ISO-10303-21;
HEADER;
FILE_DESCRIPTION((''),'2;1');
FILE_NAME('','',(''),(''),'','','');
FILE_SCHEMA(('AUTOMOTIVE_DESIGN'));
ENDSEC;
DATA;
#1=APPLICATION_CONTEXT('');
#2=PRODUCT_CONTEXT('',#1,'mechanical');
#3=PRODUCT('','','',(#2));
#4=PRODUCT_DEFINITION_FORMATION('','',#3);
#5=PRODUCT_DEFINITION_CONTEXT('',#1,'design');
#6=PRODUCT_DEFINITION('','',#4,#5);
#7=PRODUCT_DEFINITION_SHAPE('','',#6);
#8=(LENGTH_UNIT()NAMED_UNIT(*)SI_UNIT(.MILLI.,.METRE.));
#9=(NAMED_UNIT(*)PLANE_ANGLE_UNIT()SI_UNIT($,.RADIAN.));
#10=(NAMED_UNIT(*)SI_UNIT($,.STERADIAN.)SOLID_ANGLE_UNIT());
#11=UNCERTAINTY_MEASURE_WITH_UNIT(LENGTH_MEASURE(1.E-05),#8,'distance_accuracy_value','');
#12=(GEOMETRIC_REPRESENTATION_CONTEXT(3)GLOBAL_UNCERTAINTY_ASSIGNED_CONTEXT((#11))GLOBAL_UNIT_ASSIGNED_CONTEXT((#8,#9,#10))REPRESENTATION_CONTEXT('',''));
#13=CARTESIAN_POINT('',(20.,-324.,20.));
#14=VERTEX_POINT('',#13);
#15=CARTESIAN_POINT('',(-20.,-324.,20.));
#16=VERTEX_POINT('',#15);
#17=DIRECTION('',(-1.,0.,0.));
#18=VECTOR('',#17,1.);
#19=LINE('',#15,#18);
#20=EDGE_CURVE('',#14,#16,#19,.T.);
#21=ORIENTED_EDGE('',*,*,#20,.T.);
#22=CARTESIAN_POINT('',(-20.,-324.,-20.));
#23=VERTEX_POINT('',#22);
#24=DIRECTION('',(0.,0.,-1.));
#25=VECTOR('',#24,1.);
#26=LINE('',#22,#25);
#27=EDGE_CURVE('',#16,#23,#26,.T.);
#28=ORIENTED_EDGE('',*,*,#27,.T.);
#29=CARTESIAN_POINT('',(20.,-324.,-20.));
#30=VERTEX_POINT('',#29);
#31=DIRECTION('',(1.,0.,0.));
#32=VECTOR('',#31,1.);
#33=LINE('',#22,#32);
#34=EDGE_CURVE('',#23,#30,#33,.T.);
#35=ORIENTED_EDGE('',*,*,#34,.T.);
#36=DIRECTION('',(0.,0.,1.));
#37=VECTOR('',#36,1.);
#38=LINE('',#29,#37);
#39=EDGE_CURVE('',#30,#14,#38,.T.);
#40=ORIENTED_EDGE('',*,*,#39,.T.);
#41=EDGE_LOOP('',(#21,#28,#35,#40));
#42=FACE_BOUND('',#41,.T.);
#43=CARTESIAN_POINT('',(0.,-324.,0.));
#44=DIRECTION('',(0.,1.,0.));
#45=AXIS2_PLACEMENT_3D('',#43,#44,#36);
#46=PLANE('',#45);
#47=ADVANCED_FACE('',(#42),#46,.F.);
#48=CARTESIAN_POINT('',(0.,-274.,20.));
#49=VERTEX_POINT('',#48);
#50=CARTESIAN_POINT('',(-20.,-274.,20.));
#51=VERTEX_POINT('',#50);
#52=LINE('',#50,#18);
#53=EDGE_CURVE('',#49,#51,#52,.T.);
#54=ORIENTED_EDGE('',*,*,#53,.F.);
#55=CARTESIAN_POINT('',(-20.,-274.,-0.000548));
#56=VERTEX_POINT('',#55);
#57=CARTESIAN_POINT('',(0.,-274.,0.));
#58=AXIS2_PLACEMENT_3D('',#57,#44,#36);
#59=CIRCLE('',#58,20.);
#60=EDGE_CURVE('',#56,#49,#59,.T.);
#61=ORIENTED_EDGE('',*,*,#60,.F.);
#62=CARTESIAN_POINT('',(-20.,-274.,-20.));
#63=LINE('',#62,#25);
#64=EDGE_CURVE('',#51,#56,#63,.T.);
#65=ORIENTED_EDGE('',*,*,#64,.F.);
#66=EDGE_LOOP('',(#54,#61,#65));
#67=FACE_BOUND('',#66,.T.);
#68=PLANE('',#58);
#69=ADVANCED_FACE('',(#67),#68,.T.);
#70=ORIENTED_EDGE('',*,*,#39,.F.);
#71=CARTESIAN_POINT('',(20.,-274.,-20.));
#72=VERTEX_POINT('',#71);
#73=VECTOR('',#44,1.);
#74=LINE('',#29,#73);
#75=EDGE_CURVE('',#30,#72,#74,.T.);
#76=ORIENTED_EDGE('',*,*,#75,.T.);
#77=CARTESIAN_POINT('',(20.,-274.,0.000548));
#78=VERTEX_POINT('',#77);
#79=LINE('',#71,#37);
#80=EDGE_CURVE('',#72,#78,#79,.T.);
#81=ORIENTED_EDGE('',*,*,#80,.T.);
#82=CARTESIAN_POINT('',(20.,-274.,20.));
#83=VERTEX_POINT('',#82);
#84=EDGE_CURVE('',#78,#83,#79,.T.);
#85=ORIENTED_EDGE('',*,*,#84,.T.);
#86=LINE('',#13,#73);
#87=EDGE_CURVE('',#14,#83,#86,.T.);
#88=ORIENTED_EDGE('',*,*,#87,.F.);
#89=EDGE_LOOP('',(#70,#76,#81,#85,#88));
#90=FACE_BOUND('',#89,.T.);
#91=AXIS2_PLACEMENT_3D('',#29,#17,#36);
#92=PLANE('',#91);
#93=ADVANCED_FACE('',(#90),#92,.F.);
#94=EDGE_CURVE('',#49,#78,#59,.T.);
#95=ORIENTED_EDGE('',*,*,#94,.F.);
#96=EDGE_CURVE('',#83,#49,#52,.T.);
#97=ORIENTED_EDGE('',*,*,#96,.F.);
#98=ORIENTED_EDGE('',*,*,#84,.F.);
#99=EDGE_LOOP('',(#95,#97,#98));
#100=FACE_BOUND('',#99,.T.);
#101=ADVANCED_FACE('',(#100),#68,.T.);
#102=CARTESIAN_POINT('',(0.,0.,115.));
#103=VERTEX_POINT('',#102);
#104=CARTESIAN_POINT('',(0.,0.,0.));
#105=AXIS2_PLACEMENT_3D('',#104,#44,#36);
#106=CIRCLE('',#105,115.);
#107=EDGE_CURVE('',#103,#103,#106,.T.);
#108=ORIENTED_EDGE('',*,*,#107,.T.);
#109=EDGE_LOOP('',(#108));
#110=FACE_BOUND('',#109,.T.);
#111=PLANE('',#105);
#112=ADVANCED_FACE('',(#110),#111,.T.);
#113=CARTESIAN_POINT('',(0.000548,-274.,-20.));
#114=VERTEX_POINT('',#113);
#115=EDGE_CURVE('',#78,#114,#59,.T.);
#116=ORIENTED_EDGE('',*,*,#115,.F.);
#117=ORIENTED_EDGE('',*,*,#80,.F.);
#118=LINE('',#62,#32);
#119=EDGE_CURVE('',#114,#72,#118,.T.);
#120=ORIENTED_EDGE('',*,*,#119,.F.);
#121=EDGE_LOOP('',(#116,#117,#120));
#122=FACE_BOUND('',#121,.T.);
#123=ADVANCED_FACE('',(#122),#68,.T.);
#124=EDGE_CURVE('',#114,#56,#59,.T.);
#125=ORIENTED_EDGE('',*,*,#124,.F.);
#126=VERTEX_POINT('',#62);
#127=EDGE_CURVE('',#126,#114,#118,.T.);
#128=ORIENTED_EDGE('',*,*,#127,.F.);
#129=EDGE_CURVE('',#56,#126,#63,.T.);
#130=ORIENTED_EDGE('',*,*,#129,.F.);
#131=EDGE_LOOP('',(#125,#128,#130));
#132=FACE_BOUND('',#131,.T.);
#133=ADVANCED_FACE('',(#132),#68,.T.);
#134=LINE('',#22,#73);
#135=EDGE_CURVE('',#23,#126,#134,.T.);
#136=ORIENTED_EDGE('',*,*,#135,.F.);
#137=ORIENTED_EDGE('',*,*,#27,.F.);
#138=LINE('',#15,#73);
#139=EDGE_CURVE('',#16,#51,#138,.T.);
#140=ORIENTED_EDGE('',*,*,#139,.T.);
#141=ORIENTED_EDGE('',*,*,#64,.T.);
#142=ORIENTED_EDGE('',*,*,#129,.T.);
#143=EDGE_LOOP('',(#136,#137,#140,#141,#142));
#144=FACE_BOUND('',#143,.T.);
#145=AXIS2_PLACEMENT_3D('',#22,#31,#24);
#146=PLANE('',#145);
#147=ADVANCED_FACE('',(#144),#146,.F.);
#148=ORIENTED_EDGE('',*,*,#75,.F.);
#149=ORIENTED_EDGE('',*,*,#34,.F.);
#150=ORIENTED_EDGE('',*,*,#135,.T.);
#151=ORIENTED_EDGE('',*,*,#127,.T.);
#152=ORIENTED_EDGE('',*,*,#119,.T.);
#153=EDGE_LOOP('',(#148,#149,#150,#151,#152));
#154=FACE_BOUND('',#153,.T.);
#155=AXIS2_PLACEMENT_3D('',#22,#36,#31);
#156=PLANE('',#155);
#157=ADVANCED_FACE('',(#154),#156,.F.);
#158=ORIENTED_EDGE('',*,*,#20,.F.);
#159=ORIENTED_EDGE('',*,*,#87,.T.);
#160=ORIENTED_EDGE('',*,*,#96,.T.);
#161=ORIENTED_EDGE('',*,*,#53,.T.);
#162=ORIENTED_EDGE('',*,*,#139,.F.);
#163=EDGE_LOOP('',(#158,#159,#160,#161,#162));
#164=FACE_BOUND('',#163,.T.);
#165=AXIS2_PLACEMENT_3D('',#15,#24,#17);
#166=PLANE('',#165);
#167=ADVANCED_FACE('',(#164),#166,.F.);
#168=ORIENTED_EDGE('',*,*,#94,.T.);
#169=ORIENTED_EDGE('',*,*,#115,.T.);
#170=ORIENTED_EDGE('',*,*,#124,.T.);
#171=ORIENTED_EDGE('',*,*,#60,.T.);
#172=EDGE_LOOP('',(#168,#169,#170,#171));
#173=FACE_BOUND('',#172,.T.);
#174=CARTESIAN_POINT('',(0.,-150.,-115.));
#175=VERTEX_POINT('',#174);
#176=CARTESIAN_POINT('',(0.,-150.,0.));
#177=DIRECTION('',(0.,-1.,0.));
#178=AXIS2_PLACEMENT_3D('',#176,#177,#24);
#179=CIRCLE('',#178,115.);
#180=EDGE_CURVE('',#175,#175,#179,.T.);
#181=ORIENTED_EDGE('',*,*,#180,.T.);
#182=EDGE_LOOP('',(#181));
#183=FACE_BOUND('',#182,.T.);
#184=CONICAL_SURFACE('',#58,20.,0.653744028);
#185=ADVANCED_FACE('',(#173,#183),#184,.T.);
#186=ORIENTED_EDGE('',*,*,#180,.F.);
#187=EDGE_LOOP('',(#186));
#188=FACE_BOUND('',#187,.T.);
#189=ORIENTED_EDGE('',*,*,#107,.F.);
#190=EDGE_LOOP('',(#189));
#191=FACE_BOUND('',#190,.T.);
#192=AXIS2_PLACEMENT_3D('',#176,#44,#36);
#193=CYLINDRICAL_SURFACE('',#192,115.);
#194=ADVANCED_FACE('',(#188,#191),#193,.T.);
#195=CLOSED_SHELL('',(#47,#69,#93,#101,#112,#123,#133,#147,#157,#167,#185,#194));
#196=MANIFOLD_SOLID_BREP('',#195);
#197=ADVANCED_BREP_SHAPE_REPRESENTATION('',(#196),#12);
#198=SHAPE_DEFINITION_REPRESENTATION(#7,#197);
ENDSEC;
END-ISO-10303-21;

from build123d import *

# Parameters (mm, degrees)
CROQUIS1_R              = 115
SALIENTE_EXTRUIR1_DEPTH = 150
CROQUIS3_R              = 20
CROQUIS2_R              = 115
CROQUIS4_W              = 40
CROQUIS4_H              = 40
SALIENTE_EXTRUIR2_DEPTH = 50


with BuildPart() as part:
    # Croquis1 → Saliente-Extruir1 (new body)
    with BuildSketch(Plane(origin=(0, 0, 0), x_dir=(1, 0, 0), z_dir=(0, 1, 0))):
        with Locations(Location((0, 0, 0), (0, 0, 270))):
            Circle(CROQUIS1_R)
    extrude(amount=-SALIENTE_EXTRUIR1_DEPTH)

    # Croquis3 → Recubrir1 section 0
    with BuildSketch(Plane(origin=(0, -274, 0), x_dir=(1, 0, 0), z_dir=(0, 1, 0))):
        Circle(CROQUIS3_R)
    # Croquis2 → Recubrir1 section 1
    with BuildSketch(Plane.XZ.offset(150)):
        Circle(CROQUIS2_R)
    loft()

    # Croquis4 → Saliente-Extruir2 (add)
    with BuildSketch(Plane.XZ.offset(274)):
        Rectangle(CROQUIS4_W, CROQUIS4_H)
    extrude(amount=SALIENTE_EXTRUIR2_DEPTH)


solid = part.part
